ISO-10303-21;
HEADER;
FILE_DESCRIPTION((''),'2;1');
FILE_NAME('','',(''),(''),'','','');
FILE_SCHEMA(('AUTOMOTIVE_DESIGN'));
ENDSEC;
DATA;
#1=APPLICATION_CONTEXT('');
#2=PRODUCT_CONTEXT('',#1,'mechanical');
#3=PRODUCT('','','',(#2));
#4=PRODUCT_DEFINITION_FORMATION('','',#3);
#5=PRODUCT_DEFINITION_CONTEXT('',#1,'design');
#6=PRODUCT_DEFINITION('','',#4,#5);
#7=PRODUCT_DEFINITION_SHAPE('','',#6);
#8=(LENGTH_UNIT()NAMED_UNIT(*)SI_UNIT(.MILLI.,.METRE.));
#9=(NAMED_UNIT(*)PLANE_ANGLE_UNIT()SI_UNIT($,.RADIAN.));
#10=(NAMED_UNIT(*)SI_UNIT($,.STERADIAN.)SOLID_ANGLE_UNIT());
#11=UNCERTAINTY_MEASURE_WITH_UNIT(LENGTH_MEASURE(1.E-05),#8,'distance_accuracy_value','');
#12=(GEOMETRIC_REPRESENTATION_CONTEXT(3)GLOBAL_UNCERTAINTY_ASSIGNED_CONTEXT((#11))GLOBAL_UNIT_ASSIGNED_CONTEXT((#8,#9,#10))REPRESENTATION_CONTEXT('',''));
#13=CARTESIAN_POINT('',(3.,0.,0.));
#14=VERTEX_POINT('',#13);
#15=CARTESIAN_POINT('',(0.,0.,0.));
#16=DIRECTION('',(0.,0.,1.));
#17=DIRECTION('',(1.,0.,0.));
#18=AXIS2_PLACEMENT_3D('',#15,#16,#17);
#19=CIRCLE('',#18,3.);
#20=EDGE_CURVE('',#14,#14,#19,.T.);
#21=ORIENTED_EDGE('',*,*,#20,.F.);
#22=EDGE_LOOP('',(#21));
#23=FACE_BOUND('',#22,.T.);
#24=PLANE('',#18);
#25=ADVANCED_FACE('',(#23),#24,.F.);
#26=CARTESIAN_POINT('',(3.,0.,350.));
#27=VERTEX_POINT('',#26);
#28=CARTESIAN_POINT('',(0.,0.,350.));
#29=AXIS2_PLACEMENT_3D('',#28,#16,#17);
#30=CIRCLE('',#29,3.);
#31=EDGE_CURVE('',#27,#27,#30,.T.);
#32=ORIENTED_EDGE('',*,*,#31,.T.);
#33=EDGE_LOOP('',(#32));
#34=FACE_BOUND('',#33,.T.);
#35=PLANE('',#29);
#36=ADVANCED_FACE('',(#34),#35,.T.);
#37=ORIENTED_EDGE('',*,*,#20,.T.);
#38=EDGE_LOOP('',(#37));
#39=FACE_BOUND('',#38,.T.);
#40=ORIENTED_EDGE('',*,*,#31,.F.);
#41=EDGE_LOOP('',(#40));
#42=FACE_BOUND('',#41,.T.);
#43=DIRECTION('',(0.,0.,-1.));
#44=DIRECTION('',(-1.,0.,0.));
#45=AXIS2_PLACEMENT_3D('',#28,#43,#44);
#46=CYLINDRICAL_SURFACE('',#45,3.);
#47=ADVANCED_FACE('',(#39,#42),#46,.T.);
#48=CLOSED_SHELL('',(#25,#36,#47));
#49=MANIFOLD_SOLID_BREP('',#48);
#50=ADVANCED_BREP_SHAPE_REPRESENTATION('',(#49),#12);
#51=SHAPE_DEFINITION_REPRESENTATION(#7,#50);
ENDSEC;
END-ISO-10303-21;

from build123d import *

# Parameters (mm, degrees)
ESQUISSE1_R        = 3
BOSS_EXTRU_1_DEPTH = 350


with BuildPart() as part:
    # Esquisse1 → Boss.-Extru.1 (new body)
    with BuildSketch(Plane.XY):
        Circle(ESQUISSE1_R)
    extrude(amount=BOSS_EXTRU_1_DEPTH)


solid = part.part
